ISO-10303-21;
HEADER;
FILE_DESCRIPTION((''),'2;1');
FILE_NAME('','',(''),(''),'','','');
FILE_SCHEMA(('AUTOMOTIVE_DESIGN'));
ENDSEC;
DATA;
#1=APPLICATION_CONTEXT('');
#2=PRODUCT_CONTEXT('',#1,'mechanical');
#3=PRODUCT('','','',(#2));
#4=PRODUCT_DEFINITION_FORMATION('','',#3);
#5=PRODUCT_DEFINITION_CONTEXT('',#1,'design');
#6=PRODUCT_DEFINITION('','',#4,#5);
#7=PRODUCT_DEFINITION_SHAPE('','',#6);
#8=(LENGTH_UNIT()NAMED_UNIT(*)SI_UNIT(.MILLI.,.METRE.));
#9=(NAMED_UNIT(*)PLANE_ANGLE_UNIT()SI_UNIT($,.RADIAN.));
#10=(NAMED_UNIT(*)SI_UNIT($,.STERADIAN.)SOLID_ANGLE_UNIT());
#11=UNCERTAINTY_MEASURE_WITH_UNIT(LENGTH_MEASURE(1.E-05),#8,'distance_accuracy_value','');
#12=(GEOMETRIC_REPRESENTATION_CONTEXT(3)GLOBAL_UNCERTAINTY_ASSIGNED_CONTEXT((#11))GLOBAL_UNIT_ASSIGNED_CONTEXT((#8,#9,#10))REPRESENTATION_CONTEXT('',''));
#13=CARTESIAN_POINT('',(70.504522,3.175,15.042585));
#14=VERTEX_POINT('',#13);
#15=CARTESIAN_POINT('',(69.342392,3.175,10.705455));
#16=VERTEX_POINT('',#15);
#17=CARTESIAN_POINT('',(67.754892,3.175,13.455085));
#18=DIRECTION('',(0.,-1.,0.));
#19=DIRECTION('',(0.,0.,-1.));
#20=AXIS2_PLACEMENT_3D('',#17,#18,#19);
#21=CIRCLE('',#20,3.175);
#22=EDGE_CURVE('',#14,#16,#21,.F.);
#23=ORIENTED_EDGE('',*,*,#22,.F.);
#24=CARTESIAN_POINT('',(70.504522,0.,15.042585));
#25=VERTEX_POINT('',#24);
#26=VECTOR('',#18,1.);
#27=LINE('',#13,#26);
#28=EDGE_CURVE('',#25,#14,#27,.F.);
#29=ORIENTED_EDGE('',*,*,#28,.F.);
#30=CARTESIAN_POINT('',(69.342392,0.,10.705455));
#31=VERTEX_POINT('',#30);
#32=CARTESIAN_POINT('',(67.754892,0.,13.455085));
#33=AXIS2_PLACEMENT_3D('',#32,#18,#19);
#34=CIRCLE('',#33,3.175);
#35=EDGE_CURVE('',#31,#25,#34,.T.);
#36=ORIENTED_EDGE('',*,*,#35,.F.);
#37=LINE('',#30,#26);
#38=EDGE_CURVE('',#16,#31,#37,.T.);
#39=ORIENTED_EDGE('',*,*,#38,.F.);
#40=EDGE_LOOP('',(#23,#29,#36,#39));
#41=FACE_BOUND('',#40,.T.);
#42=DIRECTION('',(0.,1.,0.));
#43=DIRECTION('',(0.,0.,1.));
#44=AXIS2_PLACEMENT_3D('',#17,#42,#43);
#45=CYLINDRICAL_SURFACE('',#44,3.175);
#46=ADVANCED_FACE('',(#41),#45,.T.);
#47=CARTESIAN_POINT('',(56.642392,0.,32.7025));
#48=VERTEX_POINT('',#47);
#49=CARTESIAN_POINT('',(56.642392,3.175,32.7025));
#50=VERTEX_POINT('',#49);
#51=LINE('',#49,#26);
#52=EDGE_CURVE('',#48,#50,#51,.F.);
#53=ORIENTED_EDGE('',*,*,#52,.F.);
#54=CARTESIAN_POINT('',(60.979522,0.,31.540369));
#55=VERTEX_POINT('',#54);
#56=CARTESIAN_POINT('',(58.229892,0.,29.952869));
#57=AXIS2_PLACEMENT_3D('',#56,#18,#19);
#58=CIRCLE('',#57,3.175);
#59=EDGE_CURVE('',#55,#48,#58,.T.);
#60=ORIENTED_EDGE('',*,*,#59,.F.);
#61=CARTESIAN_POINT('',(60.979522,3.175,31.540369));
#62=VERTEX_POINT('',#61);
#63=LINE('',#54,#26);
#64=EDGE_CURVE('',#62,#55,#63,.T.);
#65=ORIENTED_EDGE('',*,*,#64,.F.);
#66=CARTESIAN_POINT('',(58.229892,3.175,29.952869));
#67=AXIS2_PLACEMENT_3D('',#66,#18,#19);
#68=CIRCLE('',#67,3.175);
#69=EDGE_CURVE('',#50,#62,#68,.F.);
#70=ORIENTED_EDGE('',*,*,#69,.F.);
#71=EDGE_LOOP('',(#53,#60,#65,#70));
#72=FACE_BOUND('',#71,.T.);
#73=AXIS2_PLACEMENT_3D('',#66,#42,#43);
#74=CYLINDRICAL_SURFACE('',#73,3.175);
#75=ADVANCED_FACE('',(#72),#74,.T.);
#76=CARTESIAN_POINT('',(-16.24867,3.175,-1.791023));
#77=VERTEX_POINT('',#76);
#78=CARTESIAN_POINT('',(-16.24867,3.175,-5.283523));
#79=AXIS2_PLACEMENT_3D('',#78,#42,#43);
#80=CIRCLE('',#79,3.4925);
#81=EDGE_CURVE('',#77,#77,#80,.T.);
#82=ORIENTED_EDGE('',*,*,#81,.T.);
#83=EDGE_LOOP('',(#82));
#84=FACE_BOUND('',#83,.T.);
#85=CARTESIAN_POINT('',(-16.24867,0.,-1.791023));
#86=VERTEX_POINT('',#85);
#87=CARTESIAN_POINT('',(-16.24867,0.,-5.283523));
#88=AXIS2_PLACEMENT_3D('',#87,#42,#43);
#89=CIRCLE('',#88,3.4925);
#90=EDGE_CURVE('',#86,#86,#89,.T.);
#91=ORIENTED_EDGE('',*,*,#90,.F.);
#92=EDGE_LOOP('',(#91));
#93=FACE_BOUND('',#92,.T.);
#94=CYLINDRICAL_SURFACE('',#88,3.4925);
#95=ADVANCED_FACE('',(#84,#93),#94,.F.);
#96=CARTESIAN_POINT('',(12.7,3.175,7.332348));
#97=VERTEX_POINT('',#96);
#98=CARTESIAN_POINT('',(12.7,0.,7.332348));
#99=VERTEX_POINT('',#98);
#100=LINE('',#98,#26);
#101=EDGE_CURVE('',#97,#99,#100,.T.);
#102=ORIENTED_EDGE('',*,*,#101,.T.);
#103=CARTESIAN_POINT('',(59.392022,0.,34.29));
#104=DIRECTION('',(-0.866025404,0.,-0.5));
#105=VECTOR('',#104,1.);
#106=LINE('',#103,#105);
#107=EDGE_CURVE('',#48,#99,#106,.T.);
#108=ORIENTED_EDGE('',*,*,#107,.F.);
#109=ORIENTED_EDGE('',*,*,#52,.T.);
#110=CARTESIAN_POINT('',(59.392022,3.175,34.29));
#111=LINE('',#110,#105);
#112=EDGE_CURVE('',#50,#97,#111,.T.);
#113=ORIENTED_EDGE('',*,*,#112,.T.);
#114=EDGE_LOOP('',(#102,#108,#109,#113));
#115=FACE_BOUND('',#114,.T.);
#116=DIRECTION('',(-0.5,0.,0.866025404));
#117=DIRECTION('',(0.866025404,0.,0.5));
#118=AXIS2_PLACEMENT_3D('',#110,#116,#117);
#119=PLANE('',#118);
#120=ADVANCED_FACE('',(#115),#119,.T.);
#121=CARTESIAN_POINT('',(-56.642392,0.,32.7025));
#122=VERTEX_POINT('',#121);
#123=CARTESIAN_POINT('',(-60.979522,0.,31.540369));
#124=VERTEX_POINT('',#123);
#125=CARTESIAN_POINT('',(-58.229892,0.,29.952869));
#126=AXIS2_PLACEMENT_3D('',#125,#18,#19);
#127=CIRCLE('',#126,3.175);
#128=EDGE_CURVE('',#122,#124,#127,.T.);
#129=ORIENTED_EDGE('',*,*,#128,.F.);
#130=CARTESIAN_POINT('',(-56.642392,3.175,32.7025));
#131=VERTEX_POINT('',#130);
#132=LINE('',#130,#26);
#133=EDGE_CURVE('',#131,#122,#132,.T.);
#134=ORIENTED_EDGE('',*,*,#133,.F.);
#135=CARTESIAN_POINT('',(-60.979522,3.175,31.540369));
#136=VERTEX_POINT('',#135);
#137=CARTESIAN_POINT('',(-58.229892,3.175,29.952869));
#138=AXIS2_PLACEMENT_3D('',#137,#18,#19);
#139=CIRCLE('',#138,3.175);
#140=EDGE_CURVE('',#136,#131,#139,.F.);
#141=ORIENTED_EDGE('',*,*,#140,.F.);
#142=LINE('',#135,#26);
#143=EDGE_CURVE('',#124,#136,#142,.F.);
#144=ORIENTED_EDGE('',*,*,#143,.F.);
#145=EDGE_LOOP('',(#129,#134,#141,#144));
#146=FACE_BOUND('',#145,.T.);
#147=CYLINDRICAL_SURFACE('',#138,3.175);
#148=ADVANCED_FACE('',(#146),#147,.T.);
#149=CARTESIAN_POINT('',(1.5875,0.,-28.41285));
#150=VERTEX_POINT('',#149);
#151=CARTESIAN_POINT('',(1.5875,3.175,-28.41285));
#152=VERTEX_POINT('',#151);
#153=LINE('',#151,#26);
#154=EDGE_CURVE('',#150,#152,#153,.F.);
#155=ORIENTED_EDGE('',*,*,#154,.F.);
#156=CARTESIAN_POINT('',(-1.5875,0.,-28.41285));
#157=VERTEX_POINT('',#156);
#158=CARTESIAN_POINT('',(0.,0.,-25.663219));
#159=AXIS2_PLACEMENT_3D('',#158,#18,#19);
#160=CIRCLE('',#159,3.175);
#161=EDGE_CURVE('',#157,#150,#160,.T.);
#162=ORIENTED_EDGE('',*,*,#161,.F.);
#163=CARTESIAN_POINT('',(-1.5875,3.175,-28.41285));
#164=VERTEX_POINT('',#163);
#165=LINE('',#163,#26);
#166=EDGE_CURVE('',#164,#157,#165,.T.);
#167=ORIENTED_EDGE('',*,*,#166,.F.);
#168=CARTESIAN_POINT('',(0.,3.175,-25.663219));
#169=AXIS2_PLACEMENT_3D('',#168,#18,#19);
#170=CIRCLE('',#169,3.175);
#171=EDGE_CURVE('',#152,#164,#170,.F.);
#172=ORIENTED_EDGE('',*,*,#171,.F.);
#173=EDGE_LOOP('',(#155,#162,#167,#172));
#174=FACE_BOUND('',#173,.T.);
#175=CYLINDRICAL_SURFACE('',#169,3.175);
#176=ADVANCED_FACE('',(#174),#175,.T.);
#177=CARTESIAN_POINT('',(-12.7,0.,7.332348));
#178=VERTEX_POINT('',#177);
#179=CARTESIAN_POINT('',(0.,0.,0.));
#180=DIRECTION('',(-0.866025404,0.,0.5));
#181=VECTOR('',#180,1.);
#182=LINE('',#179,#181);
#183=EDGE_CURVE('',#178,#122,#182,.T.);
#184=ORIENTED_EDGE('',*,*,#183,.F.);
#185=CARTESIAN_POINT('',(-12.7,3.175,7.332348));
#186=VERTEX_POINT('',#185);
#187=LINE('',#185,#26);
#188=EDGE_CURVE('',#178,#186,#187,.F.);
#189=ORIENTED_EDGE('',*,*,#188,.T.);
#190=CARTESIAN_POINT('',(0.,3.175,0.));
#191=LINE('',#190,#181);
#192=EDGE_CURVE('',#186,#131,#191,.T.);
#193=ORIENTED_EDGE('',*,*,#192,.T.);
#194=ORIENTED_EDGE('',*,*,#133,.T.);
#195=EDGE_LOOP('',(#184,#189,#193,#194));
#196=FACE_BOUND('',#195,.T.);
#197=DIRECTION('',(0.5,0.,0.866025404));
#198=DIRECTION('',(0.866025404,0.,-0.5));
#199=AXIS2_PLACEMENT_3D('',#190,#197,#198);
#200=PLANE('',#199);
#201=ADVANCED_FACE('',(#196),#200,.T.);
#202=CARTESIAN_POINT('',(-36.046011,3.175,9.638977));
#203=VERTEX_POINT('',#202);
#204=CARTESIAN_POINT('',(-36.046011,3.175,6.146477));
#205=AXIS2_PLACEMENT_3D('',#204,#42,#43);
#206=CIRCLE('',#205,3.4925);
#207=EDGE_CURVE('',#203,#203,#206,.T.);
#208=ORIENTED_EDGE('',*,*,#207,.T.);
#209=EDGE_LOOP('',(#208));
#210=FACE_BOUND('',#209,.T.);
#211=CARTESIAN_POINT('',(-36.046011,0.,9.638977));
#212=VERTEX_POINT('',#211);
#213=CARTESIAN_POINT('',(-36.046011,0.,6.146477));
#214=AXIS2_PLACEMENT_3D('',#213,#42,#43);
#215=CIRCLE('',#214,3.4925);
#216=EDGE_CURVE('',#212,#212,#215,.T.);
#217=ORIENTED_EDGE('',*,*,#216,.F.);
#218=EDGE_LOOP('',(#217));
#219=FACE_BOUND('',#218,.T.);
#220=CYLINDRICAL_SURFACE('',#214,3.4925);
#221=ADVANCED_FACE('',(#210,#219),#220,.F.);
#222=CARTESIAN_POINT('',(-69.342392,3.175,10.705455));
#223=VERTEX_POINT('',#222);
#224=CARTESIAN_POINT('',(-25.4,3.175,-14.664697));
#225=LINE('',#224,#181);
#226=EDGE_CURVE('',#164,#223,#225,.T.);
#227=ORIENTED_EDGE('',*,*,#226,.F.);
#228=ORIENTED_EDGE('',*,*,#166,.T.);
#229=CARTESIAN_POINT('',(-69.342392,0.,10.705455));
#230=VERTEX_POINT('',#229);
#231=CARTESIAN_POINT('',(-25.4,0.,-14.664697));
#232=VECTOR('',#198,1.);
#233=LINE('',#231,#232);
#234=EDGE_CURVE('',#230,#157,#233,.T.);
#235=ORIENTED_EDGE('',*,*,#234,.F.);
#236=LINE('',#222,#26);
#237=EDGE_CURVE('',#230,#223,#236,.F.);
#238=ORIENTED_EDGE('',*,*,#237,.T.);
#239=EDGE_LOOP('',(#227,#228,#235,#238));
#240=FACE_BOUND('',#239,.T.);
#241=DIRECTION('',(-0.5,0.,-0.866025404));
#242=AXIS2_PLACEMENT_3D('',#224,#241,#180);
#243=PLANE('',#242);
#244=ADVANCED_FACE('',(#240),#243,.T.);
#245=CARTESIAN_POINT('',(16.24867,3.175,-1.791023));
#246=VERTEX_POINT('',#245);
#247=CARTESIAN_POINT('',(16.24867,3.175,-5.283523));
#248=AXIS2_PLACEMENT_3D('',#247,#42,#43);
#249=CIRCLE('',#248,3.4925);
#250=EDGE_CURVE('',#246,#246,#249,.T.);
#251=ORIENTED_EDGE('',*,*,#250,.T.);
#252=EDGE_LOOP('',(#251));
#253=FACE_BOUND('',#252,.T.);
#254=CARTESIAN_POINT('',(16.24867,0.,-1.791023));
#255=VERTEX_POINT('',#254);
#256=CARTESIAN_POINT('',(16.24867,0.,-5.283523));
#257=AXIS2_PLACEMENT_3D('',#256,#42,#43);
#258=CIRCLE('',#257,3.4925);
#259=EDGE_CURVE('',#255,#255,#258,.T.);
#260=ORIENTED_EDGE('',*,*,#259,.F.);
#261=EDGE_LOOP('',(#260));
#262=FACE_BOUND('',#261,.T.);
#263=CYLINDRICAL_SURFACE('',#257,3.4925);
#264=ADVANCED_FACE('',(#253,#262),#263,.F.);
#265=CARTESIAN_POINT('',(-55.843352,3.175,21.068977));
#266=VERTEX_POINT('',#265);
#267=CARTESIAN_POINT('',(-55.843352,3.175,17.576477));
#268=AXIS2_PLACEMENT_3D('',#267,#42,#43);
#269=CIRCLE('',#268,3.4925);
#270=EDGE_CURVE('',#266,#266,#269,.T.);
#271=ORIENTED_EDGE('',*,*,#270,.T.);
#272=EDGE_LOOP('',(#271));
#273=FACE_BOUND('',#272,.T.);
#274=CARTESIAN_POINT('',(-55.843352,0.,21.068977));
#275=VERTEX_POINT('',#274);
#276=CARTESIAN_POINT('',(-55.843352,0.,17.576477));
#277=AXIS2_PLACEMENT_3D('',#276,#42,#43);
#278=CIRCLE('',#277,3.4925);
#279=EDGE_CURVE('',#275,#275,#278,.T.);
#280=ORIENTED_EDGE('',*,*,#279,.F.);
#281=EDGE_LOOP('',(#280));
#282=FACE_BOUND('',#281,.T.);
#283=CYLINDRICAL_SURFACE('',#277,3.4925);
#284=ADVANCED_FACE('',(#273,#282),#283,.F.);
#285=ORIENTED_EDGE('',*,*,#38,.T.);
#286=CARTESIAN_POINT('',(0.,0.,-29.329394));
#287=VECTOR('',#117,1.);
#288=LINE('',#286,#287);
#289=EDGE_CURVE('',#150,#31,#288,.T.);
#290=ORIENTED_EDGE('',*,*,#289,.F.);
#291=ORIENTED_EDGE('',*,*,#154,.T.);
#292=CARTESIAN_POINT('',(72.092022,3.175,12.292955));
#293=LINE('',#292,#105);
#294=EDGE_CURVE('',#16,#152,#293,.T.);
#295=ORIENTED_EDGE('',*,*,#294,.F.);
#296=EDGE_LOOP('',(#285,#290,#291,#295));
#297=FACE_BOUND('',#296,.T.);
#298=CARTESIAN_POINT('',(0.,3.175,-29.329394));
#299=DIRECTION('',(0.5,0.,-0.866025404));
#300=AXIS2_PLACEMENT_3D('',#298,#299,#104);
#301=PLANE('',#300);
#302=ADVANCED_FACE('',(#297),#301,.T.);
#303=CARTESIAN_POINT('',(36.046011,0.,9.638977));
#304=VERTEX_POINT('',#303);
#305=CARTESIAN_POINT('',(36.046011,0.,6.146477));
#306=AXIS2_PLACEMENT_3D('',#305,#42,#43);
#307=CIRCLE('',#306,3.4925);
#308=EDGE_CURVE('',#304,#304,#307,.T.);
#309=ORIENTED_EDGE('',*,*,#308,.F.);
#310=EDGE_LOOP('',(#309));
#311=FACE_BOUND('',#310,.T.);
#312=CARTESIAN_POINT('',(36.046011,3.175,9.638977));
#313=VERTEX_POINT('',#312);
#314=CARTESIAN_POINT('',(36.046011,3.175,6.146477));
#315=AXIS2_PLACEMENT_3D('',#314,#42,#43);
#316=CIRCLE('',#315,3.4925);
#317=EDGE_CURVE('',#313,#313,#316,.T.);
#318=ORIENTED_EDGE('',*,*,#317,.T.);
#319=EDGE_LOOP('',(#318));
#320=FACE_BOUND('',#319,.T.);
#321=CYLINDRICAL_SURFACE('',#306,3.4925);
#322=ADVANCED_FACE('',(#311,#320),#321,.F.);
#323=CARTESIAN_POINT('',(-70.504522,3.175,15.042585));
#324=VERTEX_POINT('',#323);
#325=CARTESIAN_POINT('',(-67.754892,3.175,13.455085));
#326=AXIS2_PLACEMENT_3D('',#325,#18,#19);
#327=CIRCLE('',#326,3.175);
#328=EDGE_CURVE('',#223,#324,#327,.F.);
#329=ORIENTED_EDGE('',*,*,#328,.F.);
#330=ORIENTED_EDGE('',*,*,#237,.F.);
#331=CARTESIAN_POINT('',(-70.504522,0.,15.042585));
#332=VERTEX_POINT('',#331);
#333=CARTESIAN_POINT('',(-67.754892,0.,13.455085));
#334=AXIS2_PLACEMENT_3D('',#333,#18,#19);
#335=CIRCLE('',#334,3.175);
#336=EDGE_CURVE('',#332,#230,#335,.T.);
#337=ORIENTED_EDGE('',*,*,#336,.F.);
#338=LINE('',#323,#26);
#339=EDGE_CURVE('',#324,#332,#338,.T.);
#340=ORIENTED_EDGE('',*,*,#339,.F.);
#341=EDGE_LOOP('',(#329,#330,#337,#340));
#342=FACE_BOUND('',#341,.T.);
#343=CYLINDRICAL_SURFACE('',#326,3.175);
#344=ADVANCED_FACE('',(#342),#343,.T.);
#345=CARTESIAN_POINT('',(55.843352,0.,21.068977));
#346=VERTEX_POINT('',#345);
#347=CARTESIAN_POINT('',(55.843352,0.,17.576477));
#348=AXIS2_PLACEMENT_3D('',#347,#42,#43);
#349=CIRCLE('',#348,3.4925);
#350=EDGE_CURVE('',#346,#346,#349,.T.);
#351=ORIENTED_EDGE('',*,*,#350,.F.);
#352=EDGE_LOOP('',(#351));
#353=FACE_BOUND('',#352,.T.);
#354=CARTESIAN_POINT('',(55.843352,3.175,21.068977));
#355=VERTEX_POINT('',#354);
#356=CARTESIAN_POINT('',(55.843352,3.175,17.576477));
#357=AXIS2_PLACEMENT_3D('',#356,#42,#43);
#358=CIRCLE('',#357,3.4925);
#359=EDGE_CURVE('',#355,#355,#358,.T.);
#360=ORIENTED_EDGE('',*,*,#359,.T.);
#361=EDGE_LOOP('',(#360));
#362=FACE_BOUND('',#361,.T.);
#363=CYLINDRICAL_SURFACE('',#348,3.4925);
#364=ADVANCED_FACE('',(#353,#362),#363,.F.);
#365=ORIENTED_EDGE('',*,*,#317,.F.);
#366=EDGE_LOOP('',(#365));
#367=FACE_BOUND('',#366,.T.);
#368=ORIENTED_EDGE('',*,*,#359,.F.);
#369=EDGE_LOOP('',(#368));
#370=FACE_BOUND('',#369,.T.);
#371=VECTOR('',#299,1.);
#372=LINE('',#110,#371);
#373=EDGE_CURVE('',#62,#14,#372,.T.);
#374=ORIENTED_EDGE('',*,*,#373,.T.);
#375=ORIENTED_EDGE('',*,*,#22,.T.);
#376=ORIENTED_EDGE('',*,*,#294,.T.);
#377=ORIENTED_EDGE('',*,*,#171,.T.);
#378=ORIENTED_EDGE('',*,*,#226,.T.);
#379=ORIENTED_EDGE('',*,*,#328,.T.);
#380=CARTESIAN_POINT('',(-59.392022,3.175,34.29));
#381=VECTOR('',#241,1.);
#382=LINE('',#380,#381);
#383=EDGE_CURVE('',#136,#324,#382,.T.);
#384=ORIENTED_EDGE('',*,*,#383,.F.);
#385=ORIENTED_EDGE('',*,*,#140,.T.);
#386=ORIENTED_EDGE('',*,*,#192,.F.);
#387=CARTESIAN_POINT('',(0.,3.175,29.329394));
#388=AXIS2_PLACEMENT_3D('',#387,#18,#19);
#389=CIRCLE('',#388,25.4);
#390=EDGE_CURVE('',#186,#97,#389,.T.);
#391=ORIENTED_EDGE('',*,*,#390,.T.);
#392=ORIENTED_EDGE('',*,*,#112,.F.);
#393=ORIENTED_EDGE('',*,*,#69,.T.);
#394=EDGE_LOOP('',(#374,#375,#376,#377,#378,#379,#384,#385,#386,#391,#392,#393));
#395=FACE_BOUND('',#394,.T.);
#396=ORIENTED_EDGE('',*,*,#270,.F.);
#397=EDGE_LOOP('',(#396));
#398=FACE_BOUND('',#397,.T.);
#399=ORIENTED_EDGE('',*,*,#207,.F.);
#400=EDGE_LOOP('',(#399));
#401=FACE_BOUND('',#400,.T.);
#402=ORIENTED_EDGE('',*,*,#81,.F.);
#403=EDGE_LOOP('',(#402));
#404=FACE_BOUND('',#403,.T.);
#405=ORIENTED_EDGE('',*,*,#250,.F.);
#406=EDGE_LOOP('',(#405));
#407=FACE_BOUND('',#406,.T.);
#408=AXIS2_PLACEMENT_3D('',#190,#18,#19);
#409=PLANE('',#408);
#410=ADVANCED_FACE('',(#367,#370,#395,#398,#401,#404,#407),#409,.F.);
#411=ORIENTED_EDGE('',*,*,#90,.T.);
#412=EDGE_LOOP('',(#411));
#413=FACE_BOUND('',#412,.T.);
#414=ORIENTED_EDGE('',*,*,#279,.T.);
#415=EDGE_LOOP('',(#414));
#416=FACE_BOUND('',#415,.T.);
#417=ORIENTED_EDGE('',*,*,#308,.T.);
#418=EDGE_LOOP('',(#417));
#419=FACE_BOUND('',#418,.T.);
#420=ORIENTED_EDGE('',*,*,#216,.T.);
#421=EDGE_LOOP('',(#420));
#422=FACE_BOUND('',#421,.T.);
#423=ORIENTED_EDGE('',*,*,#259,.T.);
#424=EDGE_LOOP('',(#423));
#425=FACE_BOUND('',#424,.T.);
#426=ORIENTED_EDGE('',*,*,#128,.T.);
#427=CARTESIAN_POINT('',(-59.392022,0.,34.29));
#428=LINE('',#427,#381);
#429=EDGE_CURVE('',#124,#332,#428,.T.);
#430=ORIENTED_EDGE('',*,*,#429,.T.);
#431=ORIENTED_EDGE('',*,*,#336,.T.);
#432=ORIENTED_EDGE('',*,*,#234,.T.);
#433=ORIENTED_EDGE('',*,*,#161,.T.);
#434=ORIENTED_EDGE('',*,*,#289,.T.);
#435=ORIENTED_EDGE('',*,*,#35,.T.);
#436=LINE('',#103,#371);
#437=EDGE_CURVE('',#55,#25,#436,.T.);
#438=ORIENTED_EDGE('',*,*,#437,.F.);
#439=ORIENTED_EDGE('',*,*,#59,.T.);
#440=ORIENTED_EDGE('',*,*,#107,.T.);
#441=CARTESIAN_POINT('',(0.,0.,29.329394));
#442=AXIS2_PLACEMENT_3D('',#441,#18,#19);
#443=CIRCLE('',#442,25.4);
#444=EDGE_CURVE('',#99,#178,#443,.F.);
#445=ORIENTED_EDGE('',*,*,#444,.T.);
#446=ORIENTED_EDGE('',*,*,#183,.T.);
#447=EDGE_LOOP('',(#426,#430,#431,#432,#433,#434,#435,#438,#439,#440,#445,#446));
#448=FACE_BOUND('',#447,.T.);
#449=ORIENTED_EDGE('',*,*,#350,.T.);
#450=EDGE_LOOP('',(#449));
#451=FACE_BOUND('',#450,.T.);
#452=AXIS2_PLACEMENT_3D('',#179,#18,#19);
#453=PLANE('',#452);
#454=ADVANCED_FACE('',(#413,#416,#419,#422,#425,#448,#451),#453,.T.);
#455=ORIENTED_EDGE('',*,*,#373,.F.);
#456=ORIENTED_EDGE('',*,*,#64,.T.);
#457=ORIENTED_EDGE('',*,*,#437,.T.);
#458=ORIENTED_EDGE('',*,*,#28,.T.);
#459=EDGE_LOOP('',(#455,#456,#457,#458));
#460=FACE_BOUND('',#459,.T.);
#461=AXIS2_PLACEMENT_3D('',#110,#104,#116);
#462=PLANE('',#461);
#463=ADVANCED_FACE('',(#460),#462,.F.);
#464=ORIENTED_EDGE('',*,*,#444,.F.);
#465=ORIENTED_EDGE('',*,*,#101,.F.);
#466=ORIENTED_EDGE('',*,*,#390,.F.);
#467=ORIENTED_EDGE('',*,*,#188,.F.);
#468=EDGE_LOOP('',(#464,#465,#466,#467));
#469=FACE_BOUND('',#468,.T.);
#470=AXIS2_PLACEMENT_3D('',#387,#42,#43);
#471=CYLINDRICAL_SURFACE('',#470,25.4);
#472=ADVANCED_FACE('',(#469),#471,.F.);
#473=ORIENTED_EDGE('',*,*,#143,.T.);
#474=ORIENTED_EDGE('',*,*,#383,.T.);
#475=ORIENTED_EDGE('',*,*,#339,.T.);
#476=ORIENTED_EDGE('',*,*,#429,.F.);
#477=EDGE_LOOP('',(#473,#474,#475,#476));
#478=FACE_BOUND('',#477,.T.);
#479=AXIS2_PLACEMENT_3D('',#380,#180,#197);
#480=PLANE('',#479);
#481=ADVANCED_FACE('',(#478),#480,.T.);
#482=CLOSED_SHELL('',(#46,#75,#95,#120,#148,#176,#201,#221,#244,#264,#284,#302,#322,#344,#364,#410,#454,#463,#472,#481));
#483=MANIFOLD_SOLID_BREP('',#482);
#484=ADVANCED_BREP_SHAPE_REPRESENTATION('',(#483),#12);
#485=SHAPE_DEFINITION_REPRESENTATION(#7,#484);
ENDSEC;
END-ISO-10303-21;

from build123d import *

# Parameters (mm, degrees)
BOSS_EXTRUDE1_DEPTH = 3.175
SKETCH2_R           = 3.4925
CUT_EXTRUDE2_DEPTH  = 3.175
LPATTERN5_COUNT     = 3
LPATTERN5_PITCH     = 22.86
SKETCH7_R           = 3.4925
CUT_EXTRUDE3_DEPTH  = 3.175
LPATTERN6_COUNT     = 3
LPATTERN6_PITCH     = 22.86
FILLET1_R           = 3.175
FILLET3_R           = 3.175
FILLET4_R           = 25.4


with BuildPart() as part:
    # Sketch1 → Boss-Extrude1 (new body)
    with BuildSketch(Plane(origin=(0, 0, 0), x_dir=(1, 0, 0), z_dir=(0, 1, 0))):
        Polygon((-25.4, 14.664696837), (0, 29.329393675), (25.4, 14.664696837), (72.092022192, -12.292954744), (59.392022192, -34.29), (0, 0), (-59.392022192, -34.29), (-72.092022192, -12.292954744), align=None)
    extrude(amount=BOSS_EXTRUDE1_DEPTH)

    # Sketch2 → Cut-Extrude2 (cut)
    with BuildSketch(Plane(origin=(0, 3.175, 0), x_dir=(1, 0, 0), z_dir=(0, 1, 0))):
        with Locations((-55.843351826, -17.576477372)):
            Circle(SKETCH2_R)
    cut_extrude2 = extrude(amount=-CUT_EXTRUDE2_DEPTH, mode=Mode.SUBTRACT)

    # LPattern5: Cut-Extrude2 ×3
    with Locations(*[Vector(0.8660254037844387, 0, -0.5000000000000001) * (i * LPATTERN5_PITCH) for i in range(1, LPATTERN5_COUNT)]):
        add(cut_extrude2, mode=Mode.SUBTRACT)

    # Sketch7 → Cut-Extrude3 (cut)
    with BuildSketch(Plane(origin=(0, 3.175, 0), x_dir=(1, 0, 0), z_dir=(0, 1, 0))):
        with Locations((55.843351826, -17.576477372)):
            Circle(SKETCH7_R)
    cut_extrude3 = extrude(amount=-CUT_EXTRUDE3_DEPTH, mode=Mode.SUBTRACT)

    # LPattern6: Cut-Extrude3 ×3
    with Locations(*[Vector(-0.8660254037844377, 0, -0.5000000000000018) * (i * LPATTERN6_PITCH) for i in range(1, LPATTERN6_COUNT)]):
        add(cut_extrude3, mode=Mode.SUBTRACT)

    # Fillet1
    fillet1_edges = [part.edges().sort_by_distance(p)[0] for p in [
        (-59.392022192, 1.5875, 34.29),
        (-72.092022192, 1.5875, 12.292954744),
        (72.092022192, 1.5875, 12.292954744),
        (59.392022192, 1.5875, 34.29),
    ]]
    fillet(fillet1_edges, radius=FILLET1_R)

    # Fillet3
    fillet3_edges = [part.edges().sort_by_distance(p)[0] for p in [
        (0, 1.5875, -29.329393675),
    ]]
    fillet(fillet3_edges, radius=FILLET3_R)

    # Fillet4
    fillet4_edges = [part.edges().sort_by_distance(p)[0] for p in [
        (0, 1.5875, 0),
    ]]
    fillet(fillet4_edges, radius=FILLET4_R)


solid = part.part
